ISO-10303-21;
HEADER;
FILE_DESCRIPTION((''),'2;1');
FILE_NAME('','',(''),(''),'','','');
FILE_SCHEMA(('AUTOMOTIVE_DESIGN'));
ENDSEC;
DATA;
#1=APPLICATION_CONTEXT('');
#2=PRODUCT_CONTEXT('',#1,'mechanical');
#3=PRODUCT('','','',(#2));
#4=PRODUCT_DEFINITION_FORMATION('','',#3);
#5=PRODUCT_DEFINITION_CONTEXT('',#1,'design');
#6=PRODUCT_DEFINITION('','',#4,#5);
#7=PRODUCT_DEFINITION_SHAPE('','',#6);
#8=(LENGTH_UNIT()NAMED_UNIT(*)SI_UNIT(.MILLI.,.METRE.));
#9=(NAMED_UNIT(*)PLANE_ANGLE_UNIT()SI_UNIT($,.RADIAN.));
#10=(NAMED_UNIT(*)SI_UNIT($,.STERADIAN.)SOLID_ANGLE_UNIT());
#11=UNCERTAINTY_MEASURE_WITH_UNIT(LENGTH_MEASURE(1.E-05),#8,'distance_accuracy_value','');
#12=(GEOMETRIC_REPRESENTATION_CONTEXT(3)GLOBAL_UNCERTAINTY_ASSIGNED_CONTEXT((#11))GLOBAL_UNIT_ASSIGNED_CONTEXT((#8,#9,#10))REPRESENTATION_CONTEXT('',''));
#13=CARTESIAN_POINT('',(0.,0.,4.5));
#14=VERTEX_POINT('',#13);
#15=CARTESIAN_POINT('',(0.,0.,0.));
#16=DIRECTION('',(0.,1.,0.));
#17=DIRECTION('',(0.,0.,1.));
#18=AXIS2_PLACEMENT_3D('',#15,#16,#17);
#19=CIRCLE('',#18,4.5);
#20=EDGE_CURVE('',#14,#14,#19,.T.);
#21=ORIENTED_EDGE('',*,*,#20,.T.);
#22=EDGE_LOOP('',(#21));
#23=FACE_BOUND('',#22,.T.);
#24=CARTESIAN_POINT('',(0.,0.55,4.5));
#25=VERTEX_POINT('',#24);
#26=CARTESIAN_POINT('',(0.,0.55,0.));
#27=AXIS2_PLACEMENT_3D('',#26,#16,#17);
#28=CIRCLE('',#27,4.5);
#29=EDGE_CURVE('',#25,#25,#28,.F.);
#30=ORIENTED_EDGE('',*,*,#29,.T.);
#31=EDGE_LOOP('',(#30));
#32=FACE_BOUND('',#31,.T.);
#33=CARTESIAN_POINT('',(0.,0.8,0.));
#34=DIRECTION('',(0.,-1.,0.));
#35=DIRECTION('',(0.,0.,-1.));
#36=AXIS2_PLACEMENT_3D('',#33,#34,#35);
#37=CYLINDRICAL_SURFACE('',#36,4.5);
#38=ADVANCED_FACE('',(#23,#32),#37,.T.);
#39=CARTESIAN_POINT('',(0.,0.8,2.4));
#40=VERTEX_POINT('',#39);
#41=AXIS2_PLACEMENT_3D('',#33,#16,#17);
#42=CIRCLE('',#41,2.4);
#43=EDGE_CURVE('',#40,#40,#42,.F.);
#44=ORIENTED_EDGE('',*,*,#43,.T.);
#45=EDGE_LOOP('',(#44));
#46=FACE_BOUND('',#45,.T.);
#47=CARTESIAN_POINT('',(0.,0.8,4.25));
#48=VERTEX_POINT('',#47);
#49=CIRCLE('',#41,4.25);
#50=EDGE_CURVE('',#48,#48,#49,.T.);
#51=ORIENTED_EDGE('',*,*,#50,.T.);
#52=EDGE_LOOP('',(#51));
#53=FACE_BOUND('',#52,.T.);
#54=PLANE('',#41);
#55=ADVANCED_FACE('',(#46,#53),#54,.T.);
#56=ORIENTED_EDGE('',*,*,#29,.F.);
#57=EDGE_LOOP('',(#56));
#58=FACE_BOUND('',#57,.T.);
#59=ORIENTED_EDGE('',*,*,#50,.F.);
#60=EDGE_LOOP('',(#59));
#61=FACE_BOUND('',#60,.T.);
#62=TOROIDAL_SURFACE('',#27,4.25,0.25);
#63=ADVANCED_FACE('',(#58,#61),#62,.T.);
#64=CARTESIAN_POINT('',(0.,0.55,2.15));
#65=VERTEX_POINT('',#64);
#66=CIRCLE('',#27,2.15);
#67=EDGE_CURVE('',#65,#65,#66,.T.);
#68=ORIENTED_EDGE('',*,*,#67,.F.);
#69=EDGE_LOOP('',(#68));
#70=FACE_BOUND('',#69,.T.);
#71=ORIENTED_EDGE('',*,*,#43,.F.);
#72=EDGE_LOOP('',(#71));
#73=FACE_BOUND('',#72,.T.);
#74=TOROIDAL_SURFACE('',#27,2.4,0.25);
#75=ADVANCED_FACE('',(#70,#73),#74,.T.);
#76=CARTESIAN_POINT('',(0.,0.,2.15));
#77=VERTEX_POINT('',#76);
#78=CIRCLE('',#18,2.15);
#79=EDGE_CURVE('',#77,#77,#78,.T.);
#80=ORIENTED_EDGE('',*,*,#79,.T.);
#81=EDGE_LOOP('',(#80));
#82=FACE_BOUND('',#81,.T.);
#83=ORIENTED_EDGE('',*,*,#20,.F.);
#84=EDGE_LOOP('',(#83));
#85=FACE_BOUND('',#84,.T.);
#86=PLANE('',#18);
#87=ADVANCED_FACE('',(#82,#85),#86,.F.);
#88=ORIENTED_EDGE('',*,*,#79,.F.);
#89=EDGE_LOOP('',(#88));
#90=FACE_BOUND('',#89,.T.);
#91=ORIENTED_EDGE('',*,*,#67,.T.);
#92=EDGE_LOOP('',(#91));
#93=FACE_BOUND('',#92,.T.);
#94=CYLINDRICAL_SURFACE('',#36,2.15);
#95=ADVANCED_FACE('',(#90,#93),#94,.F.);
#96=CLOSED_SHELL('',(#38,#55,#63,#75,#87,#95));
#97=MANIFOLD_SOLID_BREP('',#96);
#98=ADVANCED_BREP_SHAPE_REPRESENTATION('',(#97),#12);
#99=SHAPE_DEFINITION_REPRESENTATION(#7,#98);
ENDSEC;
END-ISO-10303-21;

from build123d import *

# Parameters (mm, degrees)
SZKIC1_R                    = 4.5
SZKIC1_R_2                  = 2.15
DODANIE_WYCI_GNI_CIE1_DEPTH = 0.8
ZAOKR_GLENIE1_R             = 0.25


with BuildPart() as part:
    # Szkic1 → Dodanie-wyciągnięcie1 (new body)
    with BuildSketch(Plane(origin=(0, 0, 0), x_dir=(1, 0, 0), z_dir=(0, 1, 0))):
        with Locations(Location((0, 0, 0), (0, 0, 270))):
            Circle(SZKIC1_R)
        with Locations(Location((0, 0, 0), (0, 0, 270))):
            Circle(SZKIC1_R_2, mode=Mode.SUBTRACT)
    extrude(amount=DODANIE_WYCI_GNI_CIE1_DEPTH)

    # Zaokrąglenie1
    zaokr_glenie1_edges = [part.edges().sort_by_distance(p)[0] for p in [
        (0, 0.8, -4.5),
        (0, 0.8, -2.15),
    ]]
    fillet(zaokr_glenie1_edges, radius=ZAOKR_GLENIE1_R)


solid = part.part
